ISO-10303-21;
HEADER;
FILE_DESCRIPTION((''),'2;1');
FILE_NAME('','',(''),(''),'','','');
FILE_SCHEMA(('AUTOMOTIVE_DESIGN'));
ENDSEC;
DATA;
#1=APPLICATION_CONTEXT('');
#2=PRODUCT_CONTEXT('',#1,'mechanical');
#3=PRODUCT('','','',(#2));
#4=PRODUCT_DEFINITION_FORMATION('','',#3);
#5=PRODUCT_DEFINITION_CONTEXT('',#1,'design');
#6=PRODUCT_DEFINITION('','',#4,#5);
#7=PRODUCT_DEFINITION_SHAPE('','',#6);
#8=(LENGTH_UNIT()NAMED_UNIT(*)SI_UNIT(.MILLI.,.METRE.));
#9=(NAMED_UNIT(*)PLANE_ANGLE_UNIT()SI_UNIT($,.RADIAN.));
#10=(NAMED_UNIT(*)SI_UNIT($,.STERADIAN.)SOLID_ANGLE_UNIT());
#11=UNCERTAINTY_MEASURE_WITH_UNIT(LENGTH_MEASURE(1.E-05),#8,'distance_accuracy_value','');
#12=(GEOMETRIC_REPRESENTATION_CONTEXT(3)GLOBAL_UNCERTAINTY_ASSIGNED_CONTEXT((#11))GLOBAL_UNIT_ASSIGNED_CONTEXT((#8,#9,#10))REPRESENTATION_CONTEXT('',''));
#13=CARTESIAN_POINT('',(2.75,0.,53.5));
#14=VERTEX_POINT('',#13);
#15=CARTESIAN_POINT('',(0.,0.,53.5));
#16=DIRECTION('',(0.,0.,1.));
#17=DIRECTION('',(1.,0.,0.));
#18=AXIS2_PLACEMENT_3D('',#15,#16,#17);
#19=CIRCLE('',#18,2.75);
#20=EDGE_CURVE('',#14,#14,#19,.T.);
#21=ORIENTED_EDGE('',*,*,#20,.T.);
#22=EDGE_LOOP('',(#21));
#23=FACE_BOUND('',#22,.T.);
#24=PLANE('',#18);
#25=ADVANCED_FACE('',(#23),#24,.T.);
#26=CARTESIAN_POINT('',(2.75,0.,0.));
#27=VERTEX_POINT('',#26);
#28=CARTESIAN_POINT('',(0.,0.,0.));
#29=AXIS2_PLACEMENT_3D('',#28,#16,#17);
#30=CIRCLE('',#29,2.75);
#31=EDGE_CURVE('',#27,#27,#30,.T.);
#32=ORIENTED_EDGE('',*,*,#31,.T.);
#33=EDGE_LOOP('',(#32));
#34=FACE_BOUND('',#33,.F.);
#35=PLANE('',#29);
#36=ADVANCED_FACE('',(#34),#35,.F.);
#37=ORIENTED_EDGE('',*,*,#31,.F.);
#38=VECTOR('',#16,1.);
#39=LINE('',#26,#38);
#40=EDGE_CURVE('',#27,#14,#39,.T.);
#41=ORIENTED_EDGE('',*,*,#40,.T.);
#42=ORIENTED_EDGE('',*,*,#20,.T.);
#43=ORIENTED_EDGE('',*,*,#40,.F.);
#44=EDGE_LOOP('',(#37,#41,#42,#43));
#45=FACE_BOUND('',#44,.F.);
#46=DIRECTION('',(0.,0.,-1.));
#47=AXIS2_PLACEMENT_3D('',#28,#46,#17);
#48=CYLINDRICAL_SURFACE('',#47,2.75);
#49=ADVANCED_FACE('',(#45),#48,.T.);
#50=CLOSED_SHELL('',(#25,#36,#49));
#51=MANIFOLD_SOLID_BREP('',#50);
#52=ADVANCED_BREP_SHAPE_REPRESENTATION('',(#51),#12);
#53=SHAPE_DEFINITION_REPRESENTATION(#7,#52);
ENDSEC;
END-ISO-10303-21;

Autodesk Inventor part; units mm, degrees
sketch "Sketch1" plane through (0, 0, 0) normal (0, 0, 1) x (1, 0, 0)
  line L0 (0, 3.1441) -> (0, -3.1441) construction
  line L1 (-6.3552, 0) -> (6.3552, 0) construction
  circle A0 centre (0, 0) radius 2.75
  dimension "d0" = 5.5
extrude "Extrusion1" add sketch "Sketch1" along normal blind 53.5
properties part number "as" material "S235"
